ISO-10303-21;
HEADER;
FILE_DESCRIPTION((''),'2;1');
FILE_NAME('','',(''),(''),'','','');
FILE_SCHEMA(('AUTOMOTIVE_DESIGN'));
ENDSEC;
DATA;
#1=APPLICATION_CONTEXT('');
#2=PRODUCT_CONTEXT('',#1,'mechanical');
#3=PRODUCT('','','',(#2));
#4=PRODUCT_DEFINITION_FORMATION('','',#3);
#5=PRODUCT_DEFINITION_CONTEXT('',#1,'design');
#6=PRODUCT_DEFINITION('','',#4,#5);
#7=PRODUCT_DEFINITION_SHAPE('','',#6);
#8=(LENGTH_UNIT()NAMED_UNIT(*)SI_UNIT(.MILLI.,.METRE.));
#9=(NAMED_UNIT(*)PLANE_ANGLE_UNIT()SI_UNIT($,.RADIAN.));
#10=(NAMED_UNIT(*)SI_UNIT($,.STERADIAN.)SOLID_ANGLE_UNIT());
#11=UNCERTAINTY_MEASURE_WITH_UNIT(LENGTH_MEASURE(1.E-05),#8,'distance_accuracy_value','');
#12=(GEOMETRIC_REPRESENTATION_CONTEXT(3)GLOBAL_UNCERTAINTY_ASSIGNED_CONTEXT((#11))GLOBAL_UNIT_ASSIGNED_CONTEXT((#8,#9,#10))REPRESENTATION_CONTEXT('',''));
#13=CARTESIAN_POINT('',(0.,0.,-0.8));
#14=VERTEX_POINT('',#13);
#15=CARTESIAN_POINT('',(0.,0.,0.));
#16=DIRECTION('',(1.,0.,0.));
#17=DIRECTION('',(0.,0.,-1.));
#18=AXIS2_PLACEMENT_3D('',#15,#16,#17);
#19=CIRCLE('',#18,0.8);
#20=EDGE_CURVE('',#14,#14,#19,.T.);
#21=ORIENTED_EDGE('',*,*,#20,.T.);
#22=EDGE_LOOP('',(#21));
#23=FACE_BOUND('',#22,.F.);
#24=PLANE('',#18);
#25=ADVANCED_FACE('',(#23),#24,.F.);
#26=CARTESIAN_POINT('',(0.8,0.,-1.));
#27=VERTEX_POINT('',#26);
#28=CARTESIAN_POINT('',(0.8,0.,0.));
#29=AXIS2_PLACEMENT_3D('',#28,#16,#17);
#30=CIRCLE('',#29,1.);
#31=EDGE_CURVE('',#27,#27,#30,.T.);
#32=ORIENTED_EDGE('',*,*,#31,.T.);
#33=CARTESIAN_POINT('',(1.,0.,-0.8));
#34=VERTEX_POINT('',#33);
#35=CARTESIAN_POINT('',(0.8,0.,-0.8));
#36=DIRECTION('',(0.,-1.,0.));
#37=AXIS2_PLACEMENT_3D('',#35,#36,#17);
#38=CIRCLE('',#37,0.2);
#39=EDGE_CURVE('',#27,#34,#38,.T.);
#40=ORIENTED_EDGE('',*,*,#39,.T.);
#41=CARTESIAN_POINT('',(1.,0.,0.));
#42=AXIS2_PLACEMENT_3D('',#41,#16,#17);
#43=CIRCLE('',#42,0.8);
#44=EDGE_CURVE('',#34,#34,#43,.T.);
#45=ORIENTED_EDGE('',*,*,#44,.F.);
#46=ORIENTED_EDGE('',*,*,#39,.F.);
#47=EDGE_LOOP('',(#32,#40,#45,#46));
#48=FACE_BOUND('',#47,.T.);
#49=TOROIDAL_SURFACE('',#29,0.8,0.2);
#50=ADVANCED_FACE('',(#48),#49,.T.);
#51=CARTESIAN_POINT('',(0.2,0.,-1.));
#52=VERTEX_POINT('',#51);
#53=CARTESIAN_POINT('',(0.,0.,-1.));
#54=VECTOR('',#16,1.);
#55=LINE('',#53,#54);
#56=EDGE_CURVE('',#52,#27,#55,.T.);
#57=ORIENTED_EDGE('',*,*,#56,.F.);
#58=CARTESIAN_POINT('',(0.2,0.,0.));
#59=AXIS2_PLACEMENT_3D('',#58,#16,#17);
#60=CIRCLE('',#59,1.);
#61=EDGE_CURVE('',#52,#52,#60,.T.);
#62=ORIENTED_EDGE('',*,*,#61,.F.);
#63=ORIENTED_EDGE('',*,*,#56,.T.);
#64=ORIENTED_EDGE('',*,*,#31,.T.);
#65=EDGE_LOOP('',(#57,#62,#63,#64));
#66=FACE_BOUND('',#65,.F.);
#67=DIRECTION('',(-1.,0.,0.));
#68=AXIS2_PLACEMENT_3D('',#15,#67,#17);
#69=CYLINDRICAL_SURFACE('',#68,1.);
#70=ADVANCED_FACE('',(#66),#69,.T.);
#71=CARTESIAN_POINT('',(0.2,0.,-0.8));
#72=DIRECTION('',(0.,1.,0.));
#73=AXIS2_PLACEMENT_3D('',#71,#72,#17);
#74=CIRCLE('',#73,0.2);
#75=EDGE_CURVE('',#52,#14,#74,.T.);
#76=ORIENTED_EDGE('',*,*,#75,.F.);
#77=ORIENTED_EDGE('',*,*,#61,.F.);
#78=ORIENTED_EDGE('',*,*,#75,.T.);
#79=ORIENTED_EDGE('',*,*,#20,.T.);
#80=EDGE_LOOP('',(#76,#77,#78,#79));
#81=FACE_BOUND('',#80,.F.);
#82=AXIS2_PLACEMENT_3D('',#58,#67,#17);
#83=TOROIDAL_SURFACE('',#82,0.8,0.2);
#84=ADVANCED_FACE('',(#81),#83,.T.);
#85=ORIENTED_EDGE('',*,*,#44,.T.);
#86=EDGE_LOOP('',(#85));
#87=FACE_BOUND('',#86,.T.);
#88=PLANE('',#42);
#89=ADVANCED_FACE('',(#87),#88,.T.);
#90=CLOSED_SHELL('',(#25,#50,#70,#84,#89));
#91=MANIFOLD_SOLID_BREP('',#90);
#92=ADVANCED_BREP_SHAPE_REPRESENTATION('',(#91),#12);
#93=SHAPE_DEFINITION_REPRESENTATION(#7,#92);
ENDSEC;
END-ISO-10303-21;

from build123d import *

# Parameters (mm, degrees)
CYLINDER_R           = 1
CYLINDER_DEPTH       = 1
CYLINDER_PITCH_ANGLE = 90
FILLET_R             = 0.2


with BuildPart() as part:
    # Cylinder → Cylinder (new body)
    with BuildSketch(Plane.XY):
        Circle(CYLINDER_R)
    extrude(amount=CYLINDER_DEPTH)


with BuildPart() as part_1:
    # Cylinder pitch: moved
    add(part.part.rotate(Axis((0, 0, 0), (0, 1, 0)), CYLINDER_PITCH_ANGLE))


with BuildPart() as part_2:
    # Cylinder placement: moved
    add(part_1.part)

    # Fillet
    fillet_edges = [part_2.edges().sort_by_distance(p)[0] for p in [
        (1, 0, 1),
        (0, 0, 1),
    ]]
    fillet(fillet_edges, radius=FILLET_R)


solid = part_2.part
